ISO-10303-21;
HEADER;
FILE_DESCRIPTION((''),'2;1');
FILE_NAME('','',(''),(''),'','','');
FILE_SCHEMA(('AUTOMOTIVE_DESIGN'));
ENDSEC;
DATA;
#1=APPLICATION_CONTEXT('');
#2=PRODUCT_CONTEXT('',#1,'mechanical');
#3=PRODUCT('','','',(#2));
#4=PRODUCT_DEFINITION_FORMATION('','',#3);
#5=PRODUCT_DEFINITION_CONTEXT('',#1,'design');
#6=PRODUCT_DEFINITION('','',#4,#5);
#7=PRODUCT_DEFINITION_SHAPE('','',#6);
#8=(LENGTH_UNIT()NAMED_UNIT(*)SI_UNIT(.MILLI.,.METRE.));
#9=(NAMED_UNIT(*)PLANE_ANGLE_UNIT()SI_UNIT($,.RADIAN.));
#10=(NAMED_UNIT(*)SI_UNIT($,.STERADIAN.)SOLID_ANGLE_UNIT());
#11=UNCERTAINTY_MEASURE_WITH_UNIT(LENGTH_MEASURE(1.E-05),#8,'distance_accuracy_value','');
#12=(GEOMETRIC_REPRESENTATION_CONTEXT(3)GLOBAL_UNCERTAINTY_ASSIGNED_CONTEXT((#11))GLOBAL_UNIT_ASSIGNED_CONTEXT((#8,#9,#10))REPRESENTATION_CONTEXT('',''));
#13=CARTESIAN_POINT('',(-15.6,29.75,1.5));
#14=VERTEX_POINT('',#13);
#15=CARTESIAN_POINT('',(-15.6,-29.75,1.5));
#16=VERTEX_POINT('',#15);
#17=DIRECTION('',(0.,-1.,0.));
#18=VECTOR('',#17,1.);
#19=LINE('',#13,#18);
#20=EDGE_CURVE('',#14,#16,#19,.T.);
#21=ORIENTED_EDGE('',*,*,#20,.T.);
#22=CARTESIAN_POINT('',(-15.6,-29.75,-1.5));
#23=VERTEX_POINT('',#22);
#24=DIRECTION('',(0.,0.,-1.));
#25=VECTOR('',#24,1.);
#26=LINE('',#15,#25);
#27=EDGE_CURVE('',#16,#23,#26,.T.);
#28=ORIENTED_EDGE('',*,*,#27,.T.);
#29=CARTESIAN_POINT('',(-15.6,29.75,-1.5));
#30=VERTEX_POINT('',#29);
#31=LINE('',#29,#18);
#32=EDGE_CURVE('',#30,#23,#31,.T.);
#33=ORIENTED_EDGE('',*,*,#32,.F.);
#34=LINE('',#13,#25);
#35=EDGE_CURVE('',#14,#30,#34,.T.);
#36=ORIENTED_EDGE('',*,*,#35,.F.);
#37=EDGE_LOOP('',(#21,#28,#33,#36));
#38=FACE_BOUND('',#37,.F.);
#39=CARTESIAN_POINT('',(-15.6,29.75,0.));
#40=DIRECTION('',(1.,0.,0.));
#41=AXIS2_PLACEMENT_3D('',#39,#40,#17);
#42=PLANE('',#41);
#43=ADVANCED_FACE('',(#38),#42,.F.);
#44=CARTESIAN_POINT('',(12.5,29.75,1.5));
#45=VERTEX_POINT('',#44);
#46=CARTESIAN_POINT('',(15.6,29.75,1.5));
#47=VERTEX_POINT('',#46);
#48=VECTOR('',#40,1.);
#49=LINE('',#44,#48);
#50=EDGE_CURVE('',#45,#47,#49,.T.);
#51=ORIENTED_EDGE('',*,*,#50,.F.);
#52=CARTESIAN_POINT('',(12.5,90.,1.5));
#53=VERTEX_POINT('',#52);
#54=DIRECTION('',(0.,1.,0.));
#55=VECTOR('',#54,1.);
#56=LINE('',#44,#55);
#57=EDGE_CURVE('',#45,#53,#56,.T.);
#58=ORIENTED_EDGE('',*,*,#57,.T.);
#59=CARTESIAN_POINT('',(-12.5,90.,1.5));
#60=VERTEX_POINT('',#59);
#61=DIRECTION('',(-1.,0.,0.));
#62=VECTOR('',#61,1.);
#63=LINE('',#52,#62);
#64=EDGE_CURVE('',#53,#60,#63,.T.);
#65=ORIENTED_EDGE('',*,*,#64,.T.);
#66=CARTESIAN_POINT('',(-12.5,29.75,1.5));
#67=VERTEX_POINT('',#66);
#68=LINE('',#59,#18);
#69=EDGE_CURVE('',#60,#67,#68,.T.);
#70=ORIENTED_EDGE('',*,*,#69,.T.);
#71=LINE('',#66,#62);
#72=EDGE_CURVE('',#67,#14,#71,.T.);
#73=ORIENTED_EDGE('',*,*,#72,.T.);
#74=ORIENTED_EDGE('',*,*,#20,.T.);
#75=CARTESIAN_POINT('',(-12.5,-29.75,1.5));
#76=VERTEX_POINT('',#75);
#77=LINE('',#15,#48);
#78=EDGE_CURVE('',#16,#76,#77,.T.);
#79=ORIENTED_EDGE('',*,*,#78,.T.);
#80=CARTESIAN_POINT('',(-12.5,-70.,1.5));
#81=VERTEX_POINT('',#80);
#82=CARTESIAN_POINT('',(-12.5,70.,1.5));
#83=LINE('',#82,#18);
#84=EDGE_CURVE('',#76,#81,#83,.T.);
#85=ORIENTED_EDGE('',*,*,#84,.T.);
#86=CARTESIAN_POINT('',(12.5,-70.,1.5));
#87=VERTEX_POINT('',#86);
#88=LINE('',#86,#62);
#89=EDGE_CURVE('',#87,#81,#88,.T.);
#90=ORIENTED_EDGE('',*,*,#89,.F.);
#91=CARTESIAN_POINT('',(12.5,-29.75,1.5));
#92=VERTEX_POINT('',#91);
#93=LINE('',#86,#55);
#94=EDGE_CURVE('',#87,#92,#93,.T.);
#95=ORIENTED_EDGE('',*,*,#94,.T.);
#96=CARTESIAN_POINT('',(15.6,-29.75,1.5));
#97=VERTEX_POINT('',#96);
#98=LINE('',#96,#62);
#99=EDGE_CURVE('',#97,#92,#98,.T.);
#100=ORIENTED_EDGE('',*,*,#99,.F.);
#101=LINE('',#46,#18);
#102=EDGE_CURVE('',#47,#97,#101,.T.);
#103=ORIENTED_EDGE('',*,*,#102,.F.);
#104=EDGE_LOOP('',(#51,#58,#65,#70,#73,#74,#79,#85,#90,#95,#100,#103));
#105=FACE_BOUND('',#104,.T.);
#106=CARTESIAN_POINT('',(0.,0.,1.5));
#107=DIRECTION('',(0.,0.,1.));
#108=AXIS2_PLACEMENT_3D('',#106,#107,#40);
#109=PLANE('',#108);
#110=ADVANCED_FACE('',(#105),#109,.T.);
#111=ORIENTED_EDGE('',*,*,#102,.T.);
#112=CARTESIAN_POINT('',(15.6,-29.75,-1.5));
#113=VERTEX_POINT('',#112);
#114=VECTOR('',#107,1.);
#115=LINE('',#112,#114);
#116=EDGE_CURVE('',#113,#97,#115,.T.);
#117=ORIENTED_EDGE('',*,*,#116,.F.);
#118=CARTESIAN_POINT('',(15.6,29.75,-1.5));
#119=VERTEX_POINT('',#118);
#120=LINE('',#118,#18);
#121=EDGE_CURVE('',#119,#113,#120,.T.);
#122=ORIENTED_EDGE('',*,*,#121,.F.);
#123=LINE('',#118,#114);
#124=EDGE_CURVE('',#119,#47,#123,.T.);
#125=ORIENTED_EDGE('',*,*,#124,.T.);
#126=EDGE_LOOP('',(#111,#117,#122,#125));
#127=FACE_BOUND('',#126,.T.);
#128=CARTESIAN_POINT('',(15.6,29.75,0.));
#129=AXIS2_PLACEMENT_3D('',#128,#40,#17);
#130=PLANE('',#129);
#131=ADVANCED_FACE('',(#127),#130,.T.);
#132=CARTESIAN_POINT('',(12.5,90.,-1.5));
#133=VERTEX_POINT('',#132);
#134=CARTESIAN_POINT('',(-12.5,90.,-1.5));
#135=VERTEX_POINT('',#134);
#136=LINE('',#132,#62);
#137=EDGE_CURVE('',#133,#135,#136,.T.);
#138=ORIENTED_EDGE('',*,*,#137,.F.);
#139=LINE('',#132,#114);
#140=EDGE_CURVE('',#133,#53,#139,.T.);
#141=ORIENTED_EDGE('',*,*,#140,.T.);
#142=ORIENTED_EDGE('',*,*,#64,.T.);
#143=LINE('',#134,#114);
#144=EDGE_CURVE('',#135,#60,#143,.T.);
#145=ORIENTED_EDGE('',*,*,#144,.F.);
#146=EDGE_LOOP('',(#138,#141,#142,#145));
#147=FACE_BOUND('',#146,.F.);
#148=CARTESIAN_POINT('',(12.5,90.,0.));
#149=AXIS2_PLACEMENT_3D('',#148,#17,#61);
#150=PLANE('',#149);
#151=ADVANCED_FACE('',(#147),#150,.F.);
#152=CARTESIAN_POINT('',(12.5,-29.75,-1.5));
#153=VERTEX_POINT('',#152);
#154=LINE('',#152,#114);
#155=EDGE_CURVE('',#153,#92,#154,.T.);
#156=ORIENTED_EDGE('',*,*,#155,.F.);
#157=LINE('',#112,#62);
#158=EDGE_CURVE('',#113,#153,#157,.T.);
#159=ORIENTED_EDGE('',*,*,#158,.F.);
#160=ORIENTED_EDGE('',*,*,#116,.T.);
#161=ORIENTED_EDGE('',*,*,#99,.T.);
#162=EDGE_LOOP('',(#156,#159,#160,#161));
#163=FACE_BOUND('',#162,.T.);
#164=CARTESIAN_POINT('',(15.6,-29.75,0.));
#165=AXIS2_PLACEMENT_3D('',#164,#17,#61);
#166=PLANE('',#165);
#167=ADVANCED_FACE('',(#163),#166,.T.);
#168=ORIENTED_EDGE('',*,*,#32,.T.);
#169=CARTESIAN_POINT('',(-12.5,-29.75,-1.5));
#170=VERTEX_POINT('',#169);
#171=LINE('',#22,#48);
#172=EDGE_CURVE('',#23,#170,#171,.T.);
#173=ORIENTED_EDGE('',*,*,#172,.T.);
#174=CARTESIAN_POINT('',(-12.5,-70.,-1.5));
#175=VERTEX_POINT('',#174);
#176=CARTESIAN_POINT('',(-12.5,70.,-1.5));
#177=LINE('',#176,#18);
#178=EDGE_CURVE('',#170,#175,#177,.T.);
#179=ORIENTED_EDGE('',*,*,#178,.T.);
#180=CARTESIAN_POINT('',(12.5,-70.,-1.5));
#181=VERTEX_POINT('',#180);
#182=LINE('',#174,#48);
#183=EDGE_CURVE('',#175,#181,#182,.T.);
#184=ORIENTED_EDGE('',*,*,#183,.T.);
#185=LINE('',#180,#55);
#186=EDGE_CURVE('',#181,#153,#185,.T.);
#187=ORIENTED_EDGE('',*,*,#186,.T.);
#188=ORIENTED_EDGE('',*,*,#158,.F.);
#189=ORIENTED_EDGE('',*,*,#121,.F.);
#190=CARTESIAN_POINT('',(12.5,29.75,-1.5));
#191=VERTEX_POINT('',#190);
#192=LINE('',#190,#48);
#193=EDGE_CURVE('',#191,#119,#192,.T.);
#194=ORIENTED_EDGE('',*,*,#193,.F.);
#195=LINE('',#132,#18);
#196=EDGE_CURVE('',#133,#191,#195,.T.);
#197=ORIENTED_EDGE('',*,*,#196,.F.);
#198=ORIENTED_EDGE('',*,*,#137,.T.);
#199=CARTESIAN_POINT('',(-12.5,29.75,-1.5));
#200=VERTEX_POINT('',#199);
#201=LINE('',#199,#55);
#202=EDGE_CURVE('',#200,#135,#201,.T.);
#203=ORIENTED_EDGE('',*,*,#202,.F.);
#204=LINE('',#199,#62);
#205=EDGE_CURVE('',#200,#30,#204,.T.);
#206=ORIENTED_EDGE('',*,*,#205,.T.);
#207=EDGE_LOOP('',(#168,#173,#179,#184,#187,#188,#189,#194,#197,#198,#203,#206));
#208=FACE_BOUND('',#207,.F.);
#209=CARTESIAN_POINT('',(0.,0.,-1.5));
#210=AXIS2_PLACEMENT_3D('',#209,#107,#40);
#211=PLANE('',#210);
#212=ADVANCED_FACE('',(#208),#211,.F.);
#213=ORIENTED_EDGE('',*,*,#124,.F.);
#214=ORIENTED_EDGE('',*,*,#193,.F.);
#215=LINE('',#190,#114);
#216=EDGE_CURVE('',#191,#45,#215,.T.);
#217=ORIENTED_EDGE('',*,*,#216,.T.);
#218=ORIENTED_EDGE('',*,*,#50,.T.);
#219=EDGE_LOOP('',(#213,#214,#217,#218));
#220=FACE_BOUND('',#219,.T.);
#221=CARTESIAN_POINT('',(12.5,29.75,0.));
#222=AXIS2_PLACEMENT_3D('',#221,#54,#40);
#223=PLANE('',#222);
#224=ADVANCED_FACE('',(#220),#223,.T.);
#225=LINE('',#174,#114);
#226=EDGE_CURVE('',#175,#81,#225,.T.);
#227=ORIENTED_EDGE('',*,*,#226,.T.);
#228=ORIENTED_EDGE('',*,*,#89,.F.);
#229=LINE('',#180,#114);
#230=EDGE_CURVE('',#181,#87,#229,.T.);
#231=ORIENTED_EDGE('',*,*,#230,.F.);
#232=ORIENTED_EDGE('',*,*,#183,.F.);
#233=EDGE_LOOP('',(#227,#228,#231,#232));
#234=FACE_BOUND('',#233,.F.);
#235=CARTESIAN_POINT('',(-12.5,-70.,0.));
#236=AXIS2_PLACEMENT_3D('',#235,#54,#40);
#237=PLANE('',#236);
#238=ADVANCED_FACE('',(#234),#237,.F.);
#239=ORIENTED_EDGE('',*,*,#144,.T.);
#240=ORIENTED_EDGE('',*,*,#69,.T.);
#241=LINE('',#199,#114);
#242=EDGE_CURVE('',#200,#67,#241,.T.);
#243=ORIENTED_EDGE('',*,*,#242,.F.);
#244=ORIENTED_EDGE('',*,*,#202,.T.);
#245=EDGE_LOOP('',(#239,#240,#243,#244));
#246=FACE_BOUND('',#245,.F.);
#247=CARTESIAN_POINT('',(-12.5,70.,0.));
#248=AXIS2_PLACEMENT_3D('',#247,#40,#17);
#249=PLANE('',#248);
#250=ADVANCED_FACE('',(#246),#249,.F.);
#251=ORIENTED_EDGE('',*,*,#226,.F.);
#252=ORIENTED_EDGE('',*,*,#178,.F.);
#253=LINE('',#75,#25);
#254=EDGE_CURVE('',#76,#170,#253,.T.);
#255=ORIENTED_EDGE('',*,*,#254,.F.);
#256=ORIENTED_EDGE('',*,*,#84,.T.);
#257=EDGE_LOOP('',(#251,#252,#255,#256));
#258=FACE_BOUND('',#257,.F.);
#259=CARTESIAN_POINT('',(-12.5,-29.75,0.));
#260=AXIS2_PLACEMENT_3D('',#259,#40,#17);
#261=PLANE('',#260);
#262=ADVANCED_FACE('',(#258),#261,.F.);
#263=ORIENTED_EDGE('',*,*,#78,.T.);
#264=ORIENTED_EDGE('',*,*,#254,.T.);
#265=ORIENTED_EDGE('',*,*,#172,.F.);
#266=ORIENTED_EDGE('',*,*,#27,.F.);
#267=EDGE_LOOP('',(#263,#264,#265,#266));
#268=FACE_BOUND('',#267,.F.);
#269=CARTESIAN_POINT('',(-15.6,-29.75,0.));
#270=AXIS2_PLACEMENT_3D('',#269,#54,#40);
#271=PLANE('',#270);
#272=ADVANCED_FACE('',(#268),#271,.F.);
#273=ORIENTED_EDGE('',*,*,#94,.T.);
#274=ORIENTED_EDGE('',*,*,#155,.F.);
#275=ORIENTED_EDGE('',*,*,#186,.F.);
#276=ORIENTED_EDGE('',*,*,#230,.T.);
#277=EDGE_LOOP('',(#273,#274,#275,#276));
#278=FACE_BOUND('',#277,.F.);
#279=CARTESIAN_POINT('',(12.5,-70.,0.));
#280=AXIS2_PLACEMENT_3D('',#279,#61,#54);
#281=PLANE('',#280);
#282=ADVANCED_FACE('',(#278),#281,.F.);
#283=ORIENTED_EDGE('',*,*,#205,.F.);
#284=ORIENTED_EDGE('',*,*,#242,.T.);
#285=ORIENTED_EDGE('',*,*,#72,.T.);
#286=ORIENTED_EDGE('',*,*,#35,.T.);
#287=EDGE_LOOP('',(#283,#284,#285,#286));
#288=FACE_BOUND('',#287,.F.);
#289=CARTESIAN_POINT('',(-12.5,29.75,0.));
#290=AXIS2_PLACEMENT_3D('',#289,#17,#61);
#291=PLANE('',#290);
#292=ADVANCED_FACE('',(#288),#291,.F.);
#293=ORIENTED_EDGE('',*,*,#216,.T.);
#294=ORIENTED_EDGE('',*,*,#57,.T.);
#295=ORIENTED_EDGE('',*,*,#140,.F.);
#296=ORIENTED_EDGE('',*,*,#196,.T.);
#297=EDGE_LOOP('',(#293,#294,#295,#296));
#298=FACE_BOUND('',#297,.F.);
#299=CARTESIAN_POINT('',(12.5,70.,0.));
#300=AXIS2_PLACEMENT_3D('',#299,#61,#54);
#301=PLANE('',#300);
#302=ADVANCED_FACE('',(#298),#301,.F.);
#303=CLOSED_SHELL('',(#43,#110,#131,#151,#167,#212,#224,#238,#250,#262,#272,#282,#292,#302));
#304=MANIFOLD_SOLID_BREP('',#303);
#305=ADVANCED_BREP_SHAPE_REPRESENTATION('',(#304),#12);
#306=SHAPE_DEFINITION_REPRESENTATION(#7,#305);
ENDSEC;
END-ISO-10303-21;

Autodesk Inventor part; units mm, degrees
ref_plane "YZ Plane" through (0, 0, 0) normal (1, 0, 0) x (0, 1, 0)
ref_plane "XZ Plane" through (0, 0, 0) normal (0, 1, 0) x (-1, 0, 0)
ref_plane "XY Plane" through (0, 0, 0) normal (0, 0, 1) x (1, 0, 0)
sketch "Sketch1" plane through (0, 0, 0) normal (0, 0, 1) x (1, 0, 0)
  line L0 (-12.5, -70) -> (12.5, -70)
  line L1 (12.5, -70) -> (12.5, 70)
  line L2 (12.5, 70) -> (-12.5, 70)
  line L3 (-12.5, 70) -> (-12.5, -70)
  line L4 (-12.5, -70) -> (12.5, 70) construction
  line L5 (12.5, -70) -> (-12.5, 70) construction
  line L6 (0, 70) -> (0, -70)
  line L7 (12.5, 29.75) -> (15.6, 29.75)
  line L8 (15.6, 29.75) -> (15.6, -29.75)
  line L9 (15.6, -29.75) -> (12.5, -29.75)
  line L10 (12.5, -29.75) -> (12.5, 29.75)
  line L11 (-12.5, 29.75) -> (-15.6, 29.75)
  line L12 (-15.6, 29.75) -> (-15.6, -29.75)
  line L13 (-15.6, -29.75) -> (-12.5, -29.75)
  line L14 (-12.5, -29.75) -> (-12.5, 29.75)
  line L15 (-12.5, 70) -> (12.5, 70)
  line L16 (12.5, 70) -> (12.5, 90)
  line L17 (12.5, 90) -> (-12.5, 90)
  line L18 (-12.5, 90) -> (-12.5, 70)
  point P0 (0, 0)
  point P1 (15.6, 0)
  point P2 (0, 0)
  point P3 (-15.6, 0)
  point P4 (-12.5, 29.75)
  point P5 (-12.5, -29.75)
  point P6 (12.5, -29.75)
  dimension "d0" = 140
  dimension "d1" = 59.5
  dimension "d2" = 3.1
  dimension "d3" = 25
  dimension "d5" = 20
extrude "Plate1" add sketch "Sketch1" along normal mid plane 3
equation "\"d4\" = Thickness"
equation "\"BendRadius\" = Thickness"
equation "\"BendReliefWidth\" = Thickness"
equation "\"BendReliefDepth\" = 0.5 * Thickness"
equation "\"CornerReliefSize\" = 4 * Thickness"
equation "\"MinimumRemnant\" = 2 * Thickness"
equation "\"TransitionRadius\" = BendRadius"
equation "\"JacobiRadiusSize\" = BendRadius"
equation "\"GapSize\" = Thickness"
equation "\"Thickness\" = 3"
properties part number "Motor Fixation .2"
